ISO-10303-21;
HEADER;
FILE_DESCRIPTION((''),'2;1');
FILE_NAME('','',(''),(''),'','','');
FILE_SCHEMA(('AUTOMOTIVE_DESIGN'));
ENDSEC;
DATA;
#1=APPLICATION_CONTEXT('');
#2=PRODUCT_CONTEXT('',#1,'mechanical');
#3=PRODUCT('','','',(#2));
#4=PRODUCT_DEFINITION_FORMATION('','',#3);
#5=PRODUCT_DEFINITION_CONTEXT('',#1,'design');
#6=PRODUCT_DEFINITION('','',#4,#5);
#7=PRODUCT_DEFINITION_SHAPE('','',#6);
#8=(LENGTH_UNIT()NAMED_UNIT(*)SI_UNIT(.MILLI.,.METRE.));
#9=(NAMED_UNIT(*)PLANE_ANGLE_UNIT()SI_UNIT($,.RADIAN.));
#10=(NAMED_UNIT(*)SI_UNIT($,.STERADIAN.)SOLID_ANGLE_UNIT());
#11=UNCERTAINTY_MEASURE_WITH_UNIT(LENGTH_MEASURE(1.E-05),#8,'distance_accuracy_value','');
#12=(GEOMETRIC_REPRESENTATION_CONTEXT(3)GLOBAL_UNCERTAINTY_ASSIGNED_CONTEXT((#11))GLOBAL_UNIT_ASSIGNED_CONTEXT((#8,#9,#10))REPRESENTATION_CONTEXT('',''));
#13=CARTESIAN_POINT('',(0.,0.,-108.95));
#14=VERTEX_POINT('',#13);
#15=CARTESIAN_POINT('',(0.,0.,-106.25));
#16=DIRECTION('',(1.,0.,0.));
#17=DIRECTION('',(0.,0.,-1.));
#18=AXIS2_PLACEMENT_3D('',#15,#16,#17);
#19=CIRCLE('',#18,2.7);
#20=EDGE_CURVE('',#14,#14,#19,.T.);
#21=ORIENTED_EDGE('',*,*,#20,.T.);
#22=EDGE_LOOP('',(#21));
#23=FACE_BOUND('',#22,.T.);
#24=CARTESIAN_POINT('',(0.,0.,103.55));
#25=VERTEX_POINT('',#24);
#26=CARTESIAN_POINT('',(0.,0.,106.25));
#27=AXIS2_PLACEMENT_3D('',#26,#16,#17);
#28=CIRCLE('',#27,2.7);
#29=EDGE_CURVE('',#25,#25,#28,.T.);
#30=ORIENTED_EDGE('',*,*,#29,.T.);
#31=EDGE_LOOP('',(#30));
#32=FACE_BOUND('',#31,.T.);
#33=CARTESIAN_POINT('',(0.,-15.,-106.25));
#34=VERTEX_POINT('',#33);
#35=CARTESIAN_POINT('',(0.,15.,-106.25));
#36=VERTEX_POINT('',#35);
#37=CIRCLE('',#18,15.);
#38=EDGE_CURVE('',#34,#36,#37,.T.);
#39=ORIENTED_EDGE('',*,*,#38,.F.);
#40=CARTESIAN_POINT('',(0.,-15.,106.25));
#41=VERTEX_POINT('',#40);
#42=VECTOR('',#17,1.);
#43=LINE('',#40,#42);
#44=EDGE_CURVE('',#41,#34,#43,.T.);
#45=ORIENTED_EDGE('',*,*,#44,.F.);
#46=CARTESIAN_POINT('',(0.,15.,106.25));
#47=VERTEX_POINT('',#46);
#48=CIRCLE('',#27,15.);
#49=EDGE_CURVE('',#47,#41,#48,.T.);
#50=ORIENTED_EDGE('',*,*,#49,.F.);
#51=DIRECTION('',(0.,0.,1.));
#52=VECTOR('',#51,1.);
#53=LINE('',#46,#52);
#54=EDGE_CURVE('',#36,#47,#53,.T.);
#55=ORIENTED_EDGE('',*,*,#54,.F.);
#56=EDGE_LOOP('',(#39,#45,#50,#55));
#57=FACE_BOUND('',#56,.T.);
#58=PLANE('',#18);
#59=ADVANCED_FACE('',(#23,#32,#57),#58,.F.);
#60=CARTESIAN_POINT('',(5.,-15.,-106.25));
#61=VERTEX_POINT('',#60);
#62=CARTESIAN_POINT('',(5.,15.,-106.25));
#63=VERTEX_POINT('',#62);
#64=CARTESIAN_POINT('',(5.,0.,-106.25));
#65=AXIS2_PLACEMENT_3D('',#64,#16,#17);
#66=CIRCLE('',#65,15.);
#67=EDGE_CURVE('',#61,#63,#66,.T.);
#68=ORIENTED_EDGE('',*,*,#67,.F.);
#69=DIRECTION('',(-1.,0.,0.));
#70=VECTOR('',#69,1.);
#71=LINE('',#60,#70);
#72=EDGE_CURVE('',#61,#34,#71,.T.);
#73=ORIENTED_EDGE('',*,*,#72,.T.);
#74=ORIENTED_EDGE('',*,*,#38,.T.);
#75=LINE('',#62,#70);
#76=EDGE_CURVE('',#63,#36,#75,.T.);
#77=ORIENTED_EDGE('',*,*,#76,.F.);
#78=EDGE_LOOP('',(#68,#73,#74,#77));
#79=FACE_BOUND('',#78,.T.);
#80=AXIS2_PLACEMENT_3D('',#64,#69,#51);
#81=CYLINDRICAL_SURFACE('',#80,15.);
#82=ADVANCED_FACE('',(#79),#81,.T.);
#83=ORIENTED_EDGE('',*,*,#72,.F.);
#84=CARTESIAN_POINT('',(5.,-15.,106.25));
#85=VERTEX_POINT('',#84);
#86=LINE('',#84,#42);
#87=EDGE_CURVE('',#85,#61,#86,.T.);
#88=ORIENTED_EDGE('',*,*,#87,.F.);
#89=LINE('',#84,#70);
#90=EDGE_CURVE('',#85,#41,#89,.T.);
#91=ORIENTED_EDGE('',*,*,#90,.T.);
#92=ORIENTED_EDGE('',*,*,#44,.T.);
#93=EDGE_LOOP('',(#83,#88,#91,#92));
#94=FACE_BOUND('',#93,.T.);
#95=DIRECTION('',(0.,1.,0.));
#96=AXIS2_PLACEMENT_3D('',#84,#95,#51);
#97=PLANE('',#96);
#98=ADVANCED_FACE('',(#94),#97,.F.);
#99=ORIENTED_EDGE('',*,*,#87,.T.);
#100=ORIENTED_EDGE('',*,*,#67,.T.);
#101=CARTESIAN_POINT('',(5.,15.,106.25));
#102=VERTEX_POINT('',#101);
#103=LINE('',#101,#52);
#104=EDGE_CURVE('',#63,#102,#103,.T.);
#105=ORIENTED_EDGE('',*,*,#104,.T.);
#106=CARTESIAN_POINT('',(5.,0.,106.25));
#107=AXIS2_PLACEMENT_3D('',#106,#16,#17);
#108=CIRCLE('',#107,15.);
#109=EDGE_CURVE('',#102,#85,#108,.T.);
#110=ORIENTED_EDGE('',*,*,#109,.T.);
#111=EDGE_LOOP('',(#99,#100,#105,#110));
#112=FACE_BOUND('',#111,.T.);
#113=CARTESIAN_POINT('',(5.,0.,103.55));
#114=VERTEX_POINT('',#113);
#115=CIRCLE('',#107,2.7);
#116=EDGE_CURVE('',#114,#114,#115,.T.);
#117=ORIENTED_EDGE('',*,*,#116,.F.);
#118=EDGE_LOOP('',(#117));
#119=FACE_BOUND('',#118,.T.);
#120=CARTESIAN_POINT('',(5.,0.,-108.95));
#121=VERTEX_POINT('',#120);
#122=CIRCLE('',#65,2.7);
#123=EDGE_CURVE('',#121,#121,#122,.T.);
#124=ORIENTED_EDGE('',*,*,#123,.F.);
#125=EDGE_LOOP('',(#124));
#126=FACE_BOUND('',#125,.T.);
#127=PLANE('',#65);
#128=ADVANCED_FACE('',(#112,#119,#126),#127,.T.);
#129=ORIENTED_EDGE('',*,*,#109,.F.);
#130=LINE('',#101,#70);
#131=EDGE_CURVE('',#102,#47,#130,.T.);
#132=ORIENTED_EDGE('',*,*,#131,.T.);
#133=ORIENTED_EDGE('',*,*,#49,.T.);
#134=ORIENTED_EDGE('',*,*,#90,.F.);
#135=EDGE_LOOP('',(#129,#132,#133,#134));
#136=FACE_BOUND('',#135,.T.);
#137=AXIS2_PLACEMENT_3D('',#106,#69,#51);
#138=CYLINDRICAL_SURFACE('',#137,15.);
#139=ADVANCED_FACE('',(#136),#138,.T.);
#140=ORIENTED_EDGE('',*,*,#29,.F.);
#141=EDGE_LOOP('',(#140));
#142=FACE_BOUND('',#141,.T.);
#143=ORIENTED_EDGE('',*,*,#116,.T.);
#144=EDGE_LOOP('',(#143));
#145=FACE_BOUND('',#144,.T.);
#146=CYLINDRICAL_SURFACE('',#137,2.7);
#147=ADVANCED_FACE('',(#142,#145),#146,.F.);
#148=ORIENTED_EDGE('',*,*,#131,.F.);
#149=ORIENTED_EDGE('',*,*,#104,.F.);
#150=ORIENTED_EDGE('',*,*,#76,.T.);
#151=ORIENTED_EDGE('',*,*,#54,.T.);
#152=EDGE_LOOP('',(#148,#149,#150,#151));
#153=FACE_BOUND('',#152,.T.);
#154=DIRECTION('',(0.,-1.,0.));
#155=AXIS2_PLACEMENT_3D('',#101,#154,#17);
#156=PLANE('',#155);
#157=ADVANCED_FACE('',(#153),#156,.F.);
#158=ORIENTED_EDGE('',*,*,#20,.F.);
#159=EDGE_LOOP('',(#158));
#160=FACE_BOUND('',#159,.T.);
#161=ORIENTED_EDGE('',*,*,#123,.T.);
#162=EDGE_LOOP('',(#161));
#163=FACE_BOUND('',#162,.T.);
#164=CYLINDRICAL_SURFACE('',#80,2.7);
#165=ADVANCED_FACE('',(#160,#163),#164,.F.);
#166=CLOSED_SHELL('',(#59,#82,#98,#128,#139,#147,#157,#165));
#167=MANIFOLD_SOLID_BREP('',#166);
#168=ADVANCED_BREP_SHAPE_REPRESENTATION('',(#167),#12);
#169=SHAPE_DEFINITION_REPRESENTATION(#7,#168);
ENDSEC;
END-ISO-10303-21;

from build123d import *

# Parameters (mm, degrees)
SKETCH1_R           = 2.7
BOSS_EXTRUDE1_DEPTH = 5


with BuildPart() as part:
    # Sketch1 → Boss-Extrude1 (new body)
    with BuildSketch(Plane(origin=(0, 0, 0), x_dir=(0, 0, -1), z_dir=(1, 0, 0))):
        with BuildLine():
            Line((-106.25, -15), (106.25, -15))
            ThreePointArc((106.25, -15), (121.25, 0), (106.25, 15))
            Line((106.25, 15), (-106.25, 15))
            ThreePointArc((-106.25, 15), (-121.25, 0), (-106.25, -15))
        make_face()
        with Locations((-106.25, 0)):
            Circle(SKETCH1_R, mode=Mode.SUBTRACT)
        with Locations((106.25, 0)):
            Circle(SKETCH1_R, mode=Mode.SUBTRACT)
    extrude(amount=BOSS_EXTRUDE1_DEPTH)


solid = part.part
